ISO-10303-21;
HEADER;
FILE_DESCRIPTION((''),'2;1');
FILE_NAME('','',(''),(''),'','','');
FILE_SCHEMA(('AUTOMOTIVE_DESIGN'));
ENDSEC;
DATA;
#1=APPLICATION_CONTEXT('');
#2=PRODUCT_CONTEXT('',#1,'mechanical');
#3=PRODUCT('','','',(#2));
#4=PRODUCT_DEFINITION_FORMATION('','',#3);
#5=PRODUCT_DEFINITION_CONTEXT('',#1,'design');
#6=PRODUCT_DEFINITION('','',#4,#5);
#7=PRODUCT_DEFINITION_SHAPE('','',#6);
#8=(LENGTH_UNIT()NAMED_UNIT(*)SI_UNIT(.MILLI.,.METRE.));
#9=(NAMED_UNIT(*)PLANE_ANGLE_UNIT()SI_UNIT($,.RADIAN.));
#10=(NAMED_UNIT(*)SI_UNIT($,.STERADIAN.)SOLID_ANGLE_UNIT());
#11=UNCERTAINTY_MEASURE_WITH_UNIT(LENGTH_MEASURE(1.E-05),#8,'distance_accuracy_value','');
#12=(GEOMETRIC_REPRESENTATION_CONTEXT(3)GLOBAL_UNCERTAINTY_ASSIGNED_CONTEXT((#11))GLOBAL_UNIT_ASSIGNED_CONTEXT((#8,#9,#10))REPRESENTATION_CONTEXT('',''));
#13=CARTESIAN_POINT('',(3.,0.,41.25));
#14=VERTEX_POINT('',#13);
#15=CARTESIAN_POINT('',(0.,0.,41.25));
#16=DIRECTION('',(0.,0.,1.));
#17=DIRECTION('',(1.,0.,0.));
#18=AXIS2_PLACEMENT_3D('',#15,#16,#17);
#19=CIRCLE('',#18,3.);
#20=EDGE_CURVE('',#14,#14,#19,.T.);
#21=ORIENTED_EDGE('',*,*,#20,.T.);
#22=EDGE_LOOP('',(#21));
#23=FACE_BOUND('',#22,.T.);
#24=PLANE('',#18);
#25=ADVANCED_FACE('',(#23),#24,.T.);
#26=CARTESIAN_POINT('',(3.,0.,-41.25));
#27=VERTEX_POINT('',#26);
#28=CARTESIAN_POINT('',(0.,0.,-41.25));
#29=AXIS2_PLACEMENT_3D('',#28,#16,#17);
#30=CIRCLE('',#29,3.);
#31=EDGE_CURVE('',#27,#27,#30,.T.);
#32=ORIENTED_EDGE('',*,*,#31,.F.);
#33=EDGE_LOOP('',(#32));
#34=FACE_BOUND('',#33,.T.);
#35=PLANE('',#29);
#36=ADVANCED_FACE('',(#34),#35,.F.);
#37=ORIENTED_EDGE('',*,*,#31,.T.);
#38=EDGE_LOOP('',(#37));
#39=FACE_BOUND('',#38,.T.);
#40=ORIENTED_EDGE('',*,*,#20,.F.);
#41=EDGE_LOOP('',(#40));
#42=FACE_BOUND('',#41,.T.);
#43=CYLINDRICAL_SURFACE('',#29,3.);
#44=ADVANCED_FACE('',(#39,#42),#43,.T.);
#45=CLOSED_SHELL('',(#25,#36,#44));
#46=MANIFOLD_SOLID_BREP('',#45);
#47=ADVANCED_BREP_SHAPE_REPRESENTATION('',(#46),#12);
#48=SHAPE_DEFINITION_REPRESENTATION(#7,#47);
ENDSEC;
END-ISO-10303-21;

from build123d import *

# Parameters (mm, degrees)
BOSS_EXTRUDE1_DEPTH      = 41.25
BOSS_EXTRUDE1_DEPTH_BACK = 41.25
SKETCH1_R                = 3


with BuildPart() as part:
    # Sketch1 → Boss-Extrude1 (new, two sides: drawn at the far end of the back side and taken through both)
    with BuildSketch(Plane.XY.offset(-BOSS_EXTRUDE1_DEPTH_BACK)):
        Circle(SKETCH1_R)
    extrude(amount=BOSS_EXTRUDE1_DEPTH + BOSS_EXTRUDE1_DEPTH_BACK)


solid = part.part
